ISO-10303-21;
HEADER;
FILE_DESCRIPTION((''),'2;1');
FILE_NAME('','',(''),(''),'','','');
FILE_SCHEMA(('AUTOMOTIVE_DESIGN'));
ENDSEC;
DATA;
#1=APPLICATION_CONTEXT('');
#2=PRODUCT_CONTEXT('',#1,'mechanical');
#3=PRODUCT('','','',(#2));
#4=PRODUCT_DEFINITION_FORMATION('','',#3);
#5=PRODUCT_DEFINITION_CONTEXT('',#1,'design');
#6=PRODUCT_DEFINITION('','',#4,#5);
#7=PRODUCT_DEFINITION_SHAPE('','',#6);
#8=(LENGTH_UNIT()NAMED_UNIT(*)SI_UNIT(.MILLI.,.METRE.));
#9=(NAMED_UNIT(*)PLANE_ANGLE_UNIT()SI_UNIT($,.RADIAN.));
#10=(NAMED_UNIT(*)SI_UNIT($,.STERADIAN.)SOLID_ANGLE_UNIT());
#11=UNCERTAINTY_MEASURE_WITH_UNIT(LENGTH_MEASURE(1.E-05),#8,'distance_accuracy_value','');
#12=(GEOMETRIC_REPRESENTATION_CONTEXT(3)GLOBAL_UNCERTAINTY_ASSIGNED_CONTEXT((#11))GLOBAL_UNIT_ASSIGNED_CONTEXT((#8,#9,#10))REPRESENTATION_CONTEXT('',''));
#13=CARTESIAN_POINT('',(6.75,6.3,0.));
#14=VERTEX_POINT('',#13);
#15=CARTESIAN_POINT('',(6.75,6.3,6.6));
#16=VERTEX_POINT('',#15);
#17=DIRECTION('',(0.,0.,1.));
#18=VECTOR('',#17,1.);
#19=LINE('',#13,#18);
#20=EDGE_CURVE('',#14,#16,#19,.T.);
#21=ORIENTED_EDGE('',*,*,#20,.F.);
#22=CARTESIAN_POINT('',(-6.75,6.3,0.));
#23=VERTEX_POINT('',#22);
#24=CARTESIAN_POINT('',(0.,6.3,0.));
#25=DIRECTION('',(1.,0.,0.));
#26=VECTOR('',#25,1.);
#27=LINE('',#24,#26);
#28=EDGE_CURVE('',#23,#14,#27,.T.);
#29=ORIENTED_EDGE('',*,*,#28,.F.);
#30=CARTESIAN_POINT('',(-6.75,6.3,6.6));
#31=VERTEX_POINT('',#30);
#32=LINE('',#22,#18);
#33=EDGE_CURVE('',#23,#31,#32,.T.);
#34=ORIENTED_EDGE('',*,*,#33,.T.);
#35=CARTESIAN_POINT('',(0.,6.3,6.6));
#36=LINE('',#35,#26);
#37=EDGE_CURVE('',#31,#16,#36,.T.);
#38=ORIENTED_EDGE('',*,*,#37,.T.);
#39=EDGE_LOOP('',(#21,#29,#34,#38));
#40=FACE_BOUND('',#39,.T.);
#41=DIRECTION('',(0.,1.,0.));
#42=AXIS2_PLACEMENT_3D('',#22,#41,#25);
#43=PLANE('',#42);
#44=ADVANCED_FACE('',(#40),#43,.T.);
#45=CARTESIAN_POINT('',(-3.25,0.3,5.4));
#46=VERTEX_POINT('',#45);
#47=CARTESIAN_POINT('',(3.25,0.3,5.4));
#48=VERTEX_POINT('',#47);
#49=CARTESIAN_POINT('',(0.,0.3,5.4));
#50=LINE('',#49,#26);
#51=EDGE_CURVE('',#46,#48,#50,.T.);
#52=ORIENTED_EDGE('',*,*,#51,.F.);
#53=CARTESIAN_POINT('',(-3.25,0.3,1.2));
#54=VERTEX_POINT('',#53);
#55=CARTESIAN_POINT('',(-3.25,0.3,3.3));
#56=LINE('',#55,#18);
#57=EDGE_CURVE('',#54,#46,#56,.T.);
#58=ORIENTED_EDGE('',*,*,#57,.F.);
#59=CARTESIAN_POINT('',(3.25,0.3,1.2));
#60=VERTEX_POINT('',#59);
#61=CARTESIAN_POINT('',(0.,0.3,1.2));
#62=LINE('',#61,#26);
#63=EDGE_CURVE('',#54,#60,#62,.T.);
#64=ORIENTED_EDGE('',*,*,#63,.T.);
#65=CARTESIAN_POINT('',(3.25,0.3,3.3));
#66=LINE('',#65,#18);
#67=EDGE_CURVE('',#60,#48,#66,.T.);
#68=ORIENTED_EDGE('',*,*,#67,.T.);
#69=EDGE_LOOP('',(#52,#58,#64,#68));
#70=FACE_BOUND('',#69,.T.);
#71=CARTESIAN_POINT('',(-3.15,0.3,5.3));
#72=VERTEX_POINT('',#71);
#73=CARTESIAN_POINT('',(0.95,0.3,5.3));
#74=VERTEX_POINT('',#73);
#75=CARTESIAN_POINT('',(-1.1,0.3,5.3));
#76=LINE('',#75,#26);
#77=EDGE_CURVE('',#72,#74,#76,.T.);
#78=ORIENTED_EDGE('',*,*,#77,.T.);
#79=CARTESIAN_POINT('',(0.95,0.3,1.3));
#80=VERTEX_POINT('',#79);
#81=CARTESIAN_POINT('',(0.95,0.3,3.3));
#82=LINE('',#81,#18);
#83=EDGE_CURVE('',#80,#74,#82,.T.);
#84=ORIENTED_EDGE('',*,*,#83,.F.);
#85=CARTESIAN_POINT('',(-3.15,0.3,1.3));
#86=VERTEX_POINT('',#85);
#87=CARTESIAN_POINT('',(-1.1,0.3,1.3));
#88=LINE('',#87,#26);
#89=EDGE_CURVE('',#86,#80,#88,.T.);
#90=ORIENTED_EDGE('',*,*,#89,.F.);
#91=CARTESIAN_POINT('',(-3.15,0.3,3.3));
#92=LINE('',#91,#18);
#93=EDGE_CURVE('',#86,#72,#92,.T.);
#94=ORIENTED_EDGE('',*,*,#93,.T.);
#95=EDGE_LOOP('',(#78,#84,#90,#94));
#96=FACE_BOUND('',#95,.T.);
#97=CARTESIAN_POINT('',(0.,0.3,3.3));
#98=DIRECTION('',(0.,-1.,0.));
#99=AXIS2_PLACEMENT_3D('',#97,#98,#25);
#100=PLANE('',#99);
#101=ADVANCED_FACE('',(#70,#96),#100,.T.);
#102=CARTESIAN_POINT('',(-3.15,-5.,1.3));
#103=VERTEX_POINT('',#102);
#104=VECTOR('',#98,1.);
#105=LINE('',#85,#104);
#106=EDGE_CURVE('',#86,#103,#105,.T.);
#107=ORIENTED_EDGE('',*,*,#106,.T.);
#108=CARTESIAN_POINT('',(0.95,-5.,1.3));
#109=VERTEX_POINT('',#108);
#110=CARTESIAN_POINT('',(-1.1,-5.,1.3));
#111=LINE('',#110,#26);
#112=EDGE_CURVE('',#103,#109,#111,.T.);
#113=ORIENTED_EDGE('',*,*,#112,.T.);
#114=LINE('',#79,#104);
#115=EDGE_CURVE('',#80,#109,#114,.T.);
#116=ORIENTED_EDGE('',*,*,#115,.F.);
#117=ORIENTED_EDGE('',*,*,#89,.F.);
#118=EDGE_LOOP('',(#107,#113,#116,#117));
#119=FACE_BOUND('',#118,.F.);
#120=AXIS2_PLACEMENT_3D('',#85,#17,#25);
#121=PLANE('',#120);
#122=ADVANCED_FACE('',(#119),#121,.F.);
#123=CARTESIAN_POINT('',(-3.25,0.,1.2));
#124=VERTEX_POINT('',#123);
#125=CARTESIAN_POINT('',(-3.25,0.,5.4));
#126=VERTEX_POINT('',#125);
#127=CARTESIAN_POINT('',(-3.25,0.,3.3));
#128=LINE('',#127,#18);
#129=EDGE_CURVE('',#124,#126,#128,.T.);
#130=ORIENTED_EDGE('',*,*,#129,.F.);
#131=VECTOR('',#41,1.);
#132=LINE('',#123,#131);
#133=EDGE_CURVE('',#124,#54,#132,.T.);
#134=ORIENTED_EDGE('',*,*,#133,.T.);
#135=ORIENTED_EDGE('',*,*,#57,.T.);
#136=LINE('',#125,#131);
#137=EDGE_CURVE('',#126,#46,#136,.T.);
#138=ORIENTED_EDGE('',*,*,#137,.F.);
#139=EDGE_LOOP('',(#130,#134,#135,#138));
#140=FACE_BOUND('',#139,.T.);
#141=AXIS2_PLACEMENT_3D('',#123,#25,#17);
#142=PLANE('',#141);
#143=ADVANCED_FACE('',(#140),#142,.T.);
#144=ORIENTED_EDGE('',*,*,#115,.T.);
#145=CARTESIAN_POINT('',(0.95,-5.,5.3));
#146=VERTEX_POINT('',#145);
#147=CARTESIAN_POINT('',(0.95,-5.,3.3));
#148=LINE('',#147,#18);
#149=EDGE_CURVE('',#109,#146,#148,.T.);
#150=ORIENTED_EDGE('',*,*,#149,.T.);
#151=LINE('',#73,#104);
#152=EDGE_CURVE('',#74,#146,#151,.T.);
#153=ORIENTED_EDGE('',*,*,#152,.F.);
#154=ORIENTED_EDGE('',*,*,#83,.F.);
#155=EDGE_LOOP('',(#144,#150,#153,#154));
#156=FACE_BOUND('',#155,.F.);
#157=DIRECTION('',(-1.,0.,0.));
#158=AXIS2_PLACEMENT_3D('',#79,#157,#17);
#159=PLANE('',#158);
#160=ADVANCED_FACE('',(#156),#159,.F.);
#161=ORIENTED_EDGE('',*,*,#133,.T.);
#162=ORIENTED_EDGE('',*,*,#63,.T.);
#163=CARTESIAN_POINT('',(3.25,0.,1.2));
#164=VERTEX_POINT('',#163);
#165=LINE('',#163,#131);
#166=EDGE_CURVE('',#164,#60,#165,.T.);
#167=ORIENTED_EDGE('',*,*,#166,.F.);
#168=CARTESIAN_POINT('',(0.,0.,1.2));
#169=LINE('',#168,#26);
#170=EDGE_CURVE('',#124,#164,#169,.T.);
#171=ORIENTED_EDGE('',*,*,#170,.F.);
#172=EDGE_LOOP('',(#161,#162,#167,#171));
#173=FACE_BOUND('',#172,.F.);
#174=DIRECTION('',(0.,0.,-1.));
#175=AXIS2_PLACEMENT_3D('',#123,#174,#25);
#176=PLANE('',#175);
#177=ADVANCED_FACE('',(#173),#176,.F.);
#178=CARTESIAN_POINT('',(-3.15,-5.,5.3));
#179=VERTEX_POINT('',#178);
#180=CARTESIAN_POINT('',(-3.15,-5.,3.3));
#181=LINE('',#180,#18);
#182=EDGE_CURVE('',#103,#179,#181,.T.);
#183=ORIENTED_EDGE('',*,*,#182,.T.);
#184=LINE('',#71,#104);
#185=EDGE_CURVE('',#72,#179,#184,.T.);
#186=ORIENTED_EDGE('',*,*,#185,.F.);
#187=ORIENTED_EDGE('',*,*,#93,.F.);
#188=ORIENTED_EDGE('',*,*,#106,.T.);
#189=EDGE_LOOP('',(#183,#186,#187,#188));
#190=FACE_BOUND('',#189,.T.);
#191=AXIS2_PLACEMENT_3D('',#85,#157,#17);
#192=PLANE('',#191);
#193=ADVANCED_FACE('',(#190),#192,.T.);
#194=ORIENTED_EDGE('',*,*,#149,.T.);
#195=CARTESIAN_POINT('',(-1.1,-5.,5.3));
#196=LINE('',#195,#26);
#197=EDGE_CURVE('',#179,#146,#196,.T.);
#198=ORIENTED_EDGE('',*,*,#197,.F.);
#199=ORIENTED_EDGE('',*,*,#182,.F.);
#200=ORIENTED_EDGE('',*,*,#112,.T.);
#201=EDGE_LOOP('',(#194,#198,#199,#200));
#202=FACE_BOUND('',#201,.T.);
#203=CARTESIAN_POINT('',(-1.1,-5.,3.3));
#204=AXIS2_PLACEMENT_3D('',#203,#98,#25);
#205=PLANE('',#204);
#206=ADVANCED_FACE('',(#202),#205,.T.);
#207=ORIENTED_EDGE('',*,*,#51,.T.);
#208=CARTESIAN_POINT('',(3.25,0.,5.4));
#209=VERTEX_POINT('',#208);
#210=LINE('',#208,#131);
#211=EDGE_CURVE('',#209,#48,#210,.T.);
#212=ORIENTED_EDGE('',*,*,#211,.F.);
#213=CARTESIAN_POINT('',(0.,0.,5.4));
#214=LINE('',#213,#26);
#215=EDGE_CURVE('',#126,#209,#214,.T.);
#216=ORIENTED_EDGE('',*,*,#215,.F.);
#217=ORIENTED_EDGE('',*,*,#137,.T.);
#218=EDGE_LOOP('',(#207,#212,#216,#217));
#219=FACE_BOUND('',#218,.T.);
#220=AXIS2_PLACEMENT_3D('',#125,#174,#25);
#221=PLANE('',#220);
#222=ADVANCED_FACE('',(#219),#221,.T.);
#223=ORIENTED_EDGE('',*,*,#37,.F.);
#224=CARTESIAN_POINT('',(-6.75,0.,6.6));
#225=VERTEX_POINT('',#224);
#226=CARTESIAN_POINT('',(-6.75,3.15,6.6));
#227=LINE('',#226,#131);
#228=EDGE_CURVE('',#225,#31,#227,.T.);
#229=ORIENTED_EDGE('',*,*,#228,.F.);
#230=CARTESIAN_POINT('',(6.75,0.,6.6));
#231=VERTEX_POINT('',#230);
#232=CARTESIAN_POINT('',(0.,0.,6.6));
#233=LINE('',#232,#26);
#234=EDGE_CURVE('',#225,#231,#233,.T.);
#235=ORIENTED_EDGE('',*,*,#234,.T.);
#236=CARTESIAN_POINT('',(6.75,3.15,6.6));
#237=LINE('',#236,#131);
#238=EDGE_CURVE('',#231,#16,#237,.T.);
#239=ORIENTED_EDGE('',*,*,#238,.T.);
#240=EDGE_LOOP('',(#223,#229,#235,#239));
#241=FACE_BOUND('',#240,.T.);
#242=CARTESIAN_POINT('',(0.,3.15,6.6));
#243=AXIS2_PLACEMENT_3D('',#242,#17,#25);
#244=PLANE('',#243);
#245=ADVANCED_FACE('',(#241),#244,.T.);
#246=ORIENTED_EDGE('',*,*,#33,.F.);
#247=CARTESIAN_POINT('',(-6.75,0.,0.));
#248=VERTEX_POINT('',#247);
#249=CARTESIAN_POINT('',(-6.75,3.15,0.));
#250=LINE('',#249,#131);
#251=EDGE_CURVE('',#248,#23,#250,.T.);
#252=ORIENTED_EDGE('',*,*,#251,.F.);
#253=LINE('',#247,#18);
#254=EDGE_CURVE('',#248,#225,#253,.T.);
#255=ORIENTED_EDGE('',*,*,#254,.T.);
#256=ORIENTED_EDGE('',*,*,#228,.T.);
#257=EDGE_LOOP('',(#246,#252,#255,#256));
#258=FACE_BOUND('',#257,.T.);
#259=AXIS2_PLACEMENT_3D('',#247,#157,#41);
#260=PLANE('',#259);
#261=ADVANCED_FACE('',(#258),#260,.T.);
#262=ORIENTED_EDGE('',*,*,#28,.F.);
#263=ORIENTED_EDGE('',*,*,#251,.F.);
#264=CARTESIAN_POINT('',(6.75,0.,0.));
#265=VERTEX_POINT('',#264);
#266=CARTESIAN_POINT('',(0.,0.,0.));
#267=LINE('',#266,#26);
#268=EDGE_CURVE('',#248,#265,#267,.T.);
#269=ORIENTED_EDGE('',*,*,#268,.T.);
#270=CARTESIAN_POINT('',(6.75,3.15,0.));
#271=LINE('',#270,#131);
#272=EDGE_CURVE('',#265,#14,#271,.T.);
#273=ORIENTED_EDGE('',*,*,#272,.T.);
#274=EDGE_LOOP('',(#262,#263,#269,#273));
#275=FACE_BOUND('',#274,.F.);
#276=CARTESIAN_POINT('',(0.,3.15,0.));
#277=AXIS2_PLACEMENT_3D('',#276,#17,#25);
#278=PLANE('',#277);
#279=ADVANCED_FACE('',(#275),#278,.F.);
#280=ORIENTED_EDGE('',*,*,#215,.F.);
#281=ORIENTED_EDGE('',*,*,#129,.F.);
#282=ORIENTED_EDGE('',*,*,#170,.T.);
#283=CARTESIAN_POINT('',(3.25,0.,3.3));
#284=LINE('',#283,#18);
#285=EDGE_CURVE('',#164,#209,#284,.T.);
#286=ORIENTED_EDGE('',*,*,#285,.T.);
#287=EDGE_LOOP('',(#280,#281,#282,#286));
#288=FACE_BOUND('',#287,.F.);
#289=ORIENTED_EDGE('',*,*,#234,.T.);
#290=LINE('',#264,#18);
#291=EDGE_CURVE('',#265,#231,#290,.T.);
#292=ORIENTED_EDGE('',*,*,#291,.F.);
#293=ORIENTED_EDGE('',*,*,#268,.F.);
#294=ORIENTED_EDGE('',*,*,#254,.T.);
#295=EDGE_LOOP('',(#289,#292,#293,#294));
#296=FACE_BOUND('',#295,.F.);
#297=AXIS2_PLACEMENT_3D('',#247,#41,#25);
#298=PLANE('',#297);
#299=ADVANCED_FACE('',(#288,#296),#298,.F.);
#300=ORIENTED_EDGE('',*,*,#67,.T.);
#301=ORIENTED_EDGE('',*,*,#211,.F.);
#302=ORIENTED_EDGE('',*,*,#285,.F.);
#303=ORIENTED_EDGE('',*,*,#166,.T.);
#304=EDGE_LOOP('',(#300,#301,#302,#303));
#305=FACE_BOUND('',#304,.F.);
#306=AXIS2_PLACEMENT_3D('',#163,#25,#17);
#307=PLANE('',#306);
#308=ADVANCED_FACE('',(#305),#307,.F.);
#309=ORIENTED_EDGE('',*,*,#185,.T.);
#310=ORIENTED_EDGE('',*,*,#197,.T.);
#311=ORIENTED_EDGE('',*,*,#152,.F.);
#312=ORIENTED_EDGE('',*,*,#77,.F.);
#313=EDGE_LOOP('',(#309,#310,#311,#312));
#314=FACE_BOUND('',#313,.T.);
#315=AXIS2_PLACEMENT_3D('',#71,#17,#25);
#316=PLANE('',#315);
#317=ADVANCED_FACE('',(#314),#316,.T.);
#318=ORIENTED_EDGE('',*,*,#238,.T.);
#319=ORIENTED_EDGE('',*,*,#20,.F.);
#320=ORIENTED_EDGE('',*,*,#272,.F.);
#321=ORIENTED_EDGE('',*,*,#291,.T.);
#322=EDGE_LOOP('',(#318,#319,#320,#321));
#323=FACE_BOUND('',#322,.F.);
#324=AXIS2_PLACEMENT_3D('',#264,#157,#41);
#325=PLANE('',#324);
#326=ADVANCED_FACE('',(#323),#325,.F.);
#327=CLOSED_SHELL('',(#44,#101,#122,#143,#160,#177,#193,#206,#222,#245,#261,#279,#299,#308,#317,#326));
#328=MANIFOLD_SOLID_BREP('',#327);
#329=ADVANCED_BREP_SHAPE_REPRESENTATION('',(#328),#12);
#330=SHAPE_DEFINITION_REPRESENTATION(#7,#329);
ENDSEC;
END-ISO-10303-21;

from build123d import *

# Parameters (mm, degrees)
SKETCH_W     = 13.5
SKETCH_H     = 6.3
PAD_DEPTH    = 6.6
SKETCH001_W  = 6.5
SKETCH001_H  = 4.2
POCKET_DEPTH = 0.3
SKETCH002_W  = 4.1
SKETCH002_H  = 4
PAD001_DEPTH = 5.3


with BuildPart() as part:
    # Sketch → Pad (new body)
    with BuildSketch(Plane.XY):
        with Locations((0, 3.15)):
            Rectangle(SKETCH_W, SKETCH_H)
    extrude(amount=PAD_DEPTH)

    # Sketch001 (on Face3 of Pad) → Pocket (cut)
    with BuildSketch(Plane.XZ):
        with Locations((0, 3.3)):
            Rectangle(SKETCH001_W, SKETCH001_H)
    extrude(amount=-POCKET_DEPTH, mode=Mode.SUBTRACT)

    # Sketch002 (on Face11 of Pocket) → Pad001 (join)
    with BuildSketch(Plane.XZ.offset(-0.3)):
        with Locations((-1.1, 3.3)):
            Rectangle(SKETCH002_W, SKETCH002_H)
    extrude(amount=PAD001_DEPTH)


solid = part.part
